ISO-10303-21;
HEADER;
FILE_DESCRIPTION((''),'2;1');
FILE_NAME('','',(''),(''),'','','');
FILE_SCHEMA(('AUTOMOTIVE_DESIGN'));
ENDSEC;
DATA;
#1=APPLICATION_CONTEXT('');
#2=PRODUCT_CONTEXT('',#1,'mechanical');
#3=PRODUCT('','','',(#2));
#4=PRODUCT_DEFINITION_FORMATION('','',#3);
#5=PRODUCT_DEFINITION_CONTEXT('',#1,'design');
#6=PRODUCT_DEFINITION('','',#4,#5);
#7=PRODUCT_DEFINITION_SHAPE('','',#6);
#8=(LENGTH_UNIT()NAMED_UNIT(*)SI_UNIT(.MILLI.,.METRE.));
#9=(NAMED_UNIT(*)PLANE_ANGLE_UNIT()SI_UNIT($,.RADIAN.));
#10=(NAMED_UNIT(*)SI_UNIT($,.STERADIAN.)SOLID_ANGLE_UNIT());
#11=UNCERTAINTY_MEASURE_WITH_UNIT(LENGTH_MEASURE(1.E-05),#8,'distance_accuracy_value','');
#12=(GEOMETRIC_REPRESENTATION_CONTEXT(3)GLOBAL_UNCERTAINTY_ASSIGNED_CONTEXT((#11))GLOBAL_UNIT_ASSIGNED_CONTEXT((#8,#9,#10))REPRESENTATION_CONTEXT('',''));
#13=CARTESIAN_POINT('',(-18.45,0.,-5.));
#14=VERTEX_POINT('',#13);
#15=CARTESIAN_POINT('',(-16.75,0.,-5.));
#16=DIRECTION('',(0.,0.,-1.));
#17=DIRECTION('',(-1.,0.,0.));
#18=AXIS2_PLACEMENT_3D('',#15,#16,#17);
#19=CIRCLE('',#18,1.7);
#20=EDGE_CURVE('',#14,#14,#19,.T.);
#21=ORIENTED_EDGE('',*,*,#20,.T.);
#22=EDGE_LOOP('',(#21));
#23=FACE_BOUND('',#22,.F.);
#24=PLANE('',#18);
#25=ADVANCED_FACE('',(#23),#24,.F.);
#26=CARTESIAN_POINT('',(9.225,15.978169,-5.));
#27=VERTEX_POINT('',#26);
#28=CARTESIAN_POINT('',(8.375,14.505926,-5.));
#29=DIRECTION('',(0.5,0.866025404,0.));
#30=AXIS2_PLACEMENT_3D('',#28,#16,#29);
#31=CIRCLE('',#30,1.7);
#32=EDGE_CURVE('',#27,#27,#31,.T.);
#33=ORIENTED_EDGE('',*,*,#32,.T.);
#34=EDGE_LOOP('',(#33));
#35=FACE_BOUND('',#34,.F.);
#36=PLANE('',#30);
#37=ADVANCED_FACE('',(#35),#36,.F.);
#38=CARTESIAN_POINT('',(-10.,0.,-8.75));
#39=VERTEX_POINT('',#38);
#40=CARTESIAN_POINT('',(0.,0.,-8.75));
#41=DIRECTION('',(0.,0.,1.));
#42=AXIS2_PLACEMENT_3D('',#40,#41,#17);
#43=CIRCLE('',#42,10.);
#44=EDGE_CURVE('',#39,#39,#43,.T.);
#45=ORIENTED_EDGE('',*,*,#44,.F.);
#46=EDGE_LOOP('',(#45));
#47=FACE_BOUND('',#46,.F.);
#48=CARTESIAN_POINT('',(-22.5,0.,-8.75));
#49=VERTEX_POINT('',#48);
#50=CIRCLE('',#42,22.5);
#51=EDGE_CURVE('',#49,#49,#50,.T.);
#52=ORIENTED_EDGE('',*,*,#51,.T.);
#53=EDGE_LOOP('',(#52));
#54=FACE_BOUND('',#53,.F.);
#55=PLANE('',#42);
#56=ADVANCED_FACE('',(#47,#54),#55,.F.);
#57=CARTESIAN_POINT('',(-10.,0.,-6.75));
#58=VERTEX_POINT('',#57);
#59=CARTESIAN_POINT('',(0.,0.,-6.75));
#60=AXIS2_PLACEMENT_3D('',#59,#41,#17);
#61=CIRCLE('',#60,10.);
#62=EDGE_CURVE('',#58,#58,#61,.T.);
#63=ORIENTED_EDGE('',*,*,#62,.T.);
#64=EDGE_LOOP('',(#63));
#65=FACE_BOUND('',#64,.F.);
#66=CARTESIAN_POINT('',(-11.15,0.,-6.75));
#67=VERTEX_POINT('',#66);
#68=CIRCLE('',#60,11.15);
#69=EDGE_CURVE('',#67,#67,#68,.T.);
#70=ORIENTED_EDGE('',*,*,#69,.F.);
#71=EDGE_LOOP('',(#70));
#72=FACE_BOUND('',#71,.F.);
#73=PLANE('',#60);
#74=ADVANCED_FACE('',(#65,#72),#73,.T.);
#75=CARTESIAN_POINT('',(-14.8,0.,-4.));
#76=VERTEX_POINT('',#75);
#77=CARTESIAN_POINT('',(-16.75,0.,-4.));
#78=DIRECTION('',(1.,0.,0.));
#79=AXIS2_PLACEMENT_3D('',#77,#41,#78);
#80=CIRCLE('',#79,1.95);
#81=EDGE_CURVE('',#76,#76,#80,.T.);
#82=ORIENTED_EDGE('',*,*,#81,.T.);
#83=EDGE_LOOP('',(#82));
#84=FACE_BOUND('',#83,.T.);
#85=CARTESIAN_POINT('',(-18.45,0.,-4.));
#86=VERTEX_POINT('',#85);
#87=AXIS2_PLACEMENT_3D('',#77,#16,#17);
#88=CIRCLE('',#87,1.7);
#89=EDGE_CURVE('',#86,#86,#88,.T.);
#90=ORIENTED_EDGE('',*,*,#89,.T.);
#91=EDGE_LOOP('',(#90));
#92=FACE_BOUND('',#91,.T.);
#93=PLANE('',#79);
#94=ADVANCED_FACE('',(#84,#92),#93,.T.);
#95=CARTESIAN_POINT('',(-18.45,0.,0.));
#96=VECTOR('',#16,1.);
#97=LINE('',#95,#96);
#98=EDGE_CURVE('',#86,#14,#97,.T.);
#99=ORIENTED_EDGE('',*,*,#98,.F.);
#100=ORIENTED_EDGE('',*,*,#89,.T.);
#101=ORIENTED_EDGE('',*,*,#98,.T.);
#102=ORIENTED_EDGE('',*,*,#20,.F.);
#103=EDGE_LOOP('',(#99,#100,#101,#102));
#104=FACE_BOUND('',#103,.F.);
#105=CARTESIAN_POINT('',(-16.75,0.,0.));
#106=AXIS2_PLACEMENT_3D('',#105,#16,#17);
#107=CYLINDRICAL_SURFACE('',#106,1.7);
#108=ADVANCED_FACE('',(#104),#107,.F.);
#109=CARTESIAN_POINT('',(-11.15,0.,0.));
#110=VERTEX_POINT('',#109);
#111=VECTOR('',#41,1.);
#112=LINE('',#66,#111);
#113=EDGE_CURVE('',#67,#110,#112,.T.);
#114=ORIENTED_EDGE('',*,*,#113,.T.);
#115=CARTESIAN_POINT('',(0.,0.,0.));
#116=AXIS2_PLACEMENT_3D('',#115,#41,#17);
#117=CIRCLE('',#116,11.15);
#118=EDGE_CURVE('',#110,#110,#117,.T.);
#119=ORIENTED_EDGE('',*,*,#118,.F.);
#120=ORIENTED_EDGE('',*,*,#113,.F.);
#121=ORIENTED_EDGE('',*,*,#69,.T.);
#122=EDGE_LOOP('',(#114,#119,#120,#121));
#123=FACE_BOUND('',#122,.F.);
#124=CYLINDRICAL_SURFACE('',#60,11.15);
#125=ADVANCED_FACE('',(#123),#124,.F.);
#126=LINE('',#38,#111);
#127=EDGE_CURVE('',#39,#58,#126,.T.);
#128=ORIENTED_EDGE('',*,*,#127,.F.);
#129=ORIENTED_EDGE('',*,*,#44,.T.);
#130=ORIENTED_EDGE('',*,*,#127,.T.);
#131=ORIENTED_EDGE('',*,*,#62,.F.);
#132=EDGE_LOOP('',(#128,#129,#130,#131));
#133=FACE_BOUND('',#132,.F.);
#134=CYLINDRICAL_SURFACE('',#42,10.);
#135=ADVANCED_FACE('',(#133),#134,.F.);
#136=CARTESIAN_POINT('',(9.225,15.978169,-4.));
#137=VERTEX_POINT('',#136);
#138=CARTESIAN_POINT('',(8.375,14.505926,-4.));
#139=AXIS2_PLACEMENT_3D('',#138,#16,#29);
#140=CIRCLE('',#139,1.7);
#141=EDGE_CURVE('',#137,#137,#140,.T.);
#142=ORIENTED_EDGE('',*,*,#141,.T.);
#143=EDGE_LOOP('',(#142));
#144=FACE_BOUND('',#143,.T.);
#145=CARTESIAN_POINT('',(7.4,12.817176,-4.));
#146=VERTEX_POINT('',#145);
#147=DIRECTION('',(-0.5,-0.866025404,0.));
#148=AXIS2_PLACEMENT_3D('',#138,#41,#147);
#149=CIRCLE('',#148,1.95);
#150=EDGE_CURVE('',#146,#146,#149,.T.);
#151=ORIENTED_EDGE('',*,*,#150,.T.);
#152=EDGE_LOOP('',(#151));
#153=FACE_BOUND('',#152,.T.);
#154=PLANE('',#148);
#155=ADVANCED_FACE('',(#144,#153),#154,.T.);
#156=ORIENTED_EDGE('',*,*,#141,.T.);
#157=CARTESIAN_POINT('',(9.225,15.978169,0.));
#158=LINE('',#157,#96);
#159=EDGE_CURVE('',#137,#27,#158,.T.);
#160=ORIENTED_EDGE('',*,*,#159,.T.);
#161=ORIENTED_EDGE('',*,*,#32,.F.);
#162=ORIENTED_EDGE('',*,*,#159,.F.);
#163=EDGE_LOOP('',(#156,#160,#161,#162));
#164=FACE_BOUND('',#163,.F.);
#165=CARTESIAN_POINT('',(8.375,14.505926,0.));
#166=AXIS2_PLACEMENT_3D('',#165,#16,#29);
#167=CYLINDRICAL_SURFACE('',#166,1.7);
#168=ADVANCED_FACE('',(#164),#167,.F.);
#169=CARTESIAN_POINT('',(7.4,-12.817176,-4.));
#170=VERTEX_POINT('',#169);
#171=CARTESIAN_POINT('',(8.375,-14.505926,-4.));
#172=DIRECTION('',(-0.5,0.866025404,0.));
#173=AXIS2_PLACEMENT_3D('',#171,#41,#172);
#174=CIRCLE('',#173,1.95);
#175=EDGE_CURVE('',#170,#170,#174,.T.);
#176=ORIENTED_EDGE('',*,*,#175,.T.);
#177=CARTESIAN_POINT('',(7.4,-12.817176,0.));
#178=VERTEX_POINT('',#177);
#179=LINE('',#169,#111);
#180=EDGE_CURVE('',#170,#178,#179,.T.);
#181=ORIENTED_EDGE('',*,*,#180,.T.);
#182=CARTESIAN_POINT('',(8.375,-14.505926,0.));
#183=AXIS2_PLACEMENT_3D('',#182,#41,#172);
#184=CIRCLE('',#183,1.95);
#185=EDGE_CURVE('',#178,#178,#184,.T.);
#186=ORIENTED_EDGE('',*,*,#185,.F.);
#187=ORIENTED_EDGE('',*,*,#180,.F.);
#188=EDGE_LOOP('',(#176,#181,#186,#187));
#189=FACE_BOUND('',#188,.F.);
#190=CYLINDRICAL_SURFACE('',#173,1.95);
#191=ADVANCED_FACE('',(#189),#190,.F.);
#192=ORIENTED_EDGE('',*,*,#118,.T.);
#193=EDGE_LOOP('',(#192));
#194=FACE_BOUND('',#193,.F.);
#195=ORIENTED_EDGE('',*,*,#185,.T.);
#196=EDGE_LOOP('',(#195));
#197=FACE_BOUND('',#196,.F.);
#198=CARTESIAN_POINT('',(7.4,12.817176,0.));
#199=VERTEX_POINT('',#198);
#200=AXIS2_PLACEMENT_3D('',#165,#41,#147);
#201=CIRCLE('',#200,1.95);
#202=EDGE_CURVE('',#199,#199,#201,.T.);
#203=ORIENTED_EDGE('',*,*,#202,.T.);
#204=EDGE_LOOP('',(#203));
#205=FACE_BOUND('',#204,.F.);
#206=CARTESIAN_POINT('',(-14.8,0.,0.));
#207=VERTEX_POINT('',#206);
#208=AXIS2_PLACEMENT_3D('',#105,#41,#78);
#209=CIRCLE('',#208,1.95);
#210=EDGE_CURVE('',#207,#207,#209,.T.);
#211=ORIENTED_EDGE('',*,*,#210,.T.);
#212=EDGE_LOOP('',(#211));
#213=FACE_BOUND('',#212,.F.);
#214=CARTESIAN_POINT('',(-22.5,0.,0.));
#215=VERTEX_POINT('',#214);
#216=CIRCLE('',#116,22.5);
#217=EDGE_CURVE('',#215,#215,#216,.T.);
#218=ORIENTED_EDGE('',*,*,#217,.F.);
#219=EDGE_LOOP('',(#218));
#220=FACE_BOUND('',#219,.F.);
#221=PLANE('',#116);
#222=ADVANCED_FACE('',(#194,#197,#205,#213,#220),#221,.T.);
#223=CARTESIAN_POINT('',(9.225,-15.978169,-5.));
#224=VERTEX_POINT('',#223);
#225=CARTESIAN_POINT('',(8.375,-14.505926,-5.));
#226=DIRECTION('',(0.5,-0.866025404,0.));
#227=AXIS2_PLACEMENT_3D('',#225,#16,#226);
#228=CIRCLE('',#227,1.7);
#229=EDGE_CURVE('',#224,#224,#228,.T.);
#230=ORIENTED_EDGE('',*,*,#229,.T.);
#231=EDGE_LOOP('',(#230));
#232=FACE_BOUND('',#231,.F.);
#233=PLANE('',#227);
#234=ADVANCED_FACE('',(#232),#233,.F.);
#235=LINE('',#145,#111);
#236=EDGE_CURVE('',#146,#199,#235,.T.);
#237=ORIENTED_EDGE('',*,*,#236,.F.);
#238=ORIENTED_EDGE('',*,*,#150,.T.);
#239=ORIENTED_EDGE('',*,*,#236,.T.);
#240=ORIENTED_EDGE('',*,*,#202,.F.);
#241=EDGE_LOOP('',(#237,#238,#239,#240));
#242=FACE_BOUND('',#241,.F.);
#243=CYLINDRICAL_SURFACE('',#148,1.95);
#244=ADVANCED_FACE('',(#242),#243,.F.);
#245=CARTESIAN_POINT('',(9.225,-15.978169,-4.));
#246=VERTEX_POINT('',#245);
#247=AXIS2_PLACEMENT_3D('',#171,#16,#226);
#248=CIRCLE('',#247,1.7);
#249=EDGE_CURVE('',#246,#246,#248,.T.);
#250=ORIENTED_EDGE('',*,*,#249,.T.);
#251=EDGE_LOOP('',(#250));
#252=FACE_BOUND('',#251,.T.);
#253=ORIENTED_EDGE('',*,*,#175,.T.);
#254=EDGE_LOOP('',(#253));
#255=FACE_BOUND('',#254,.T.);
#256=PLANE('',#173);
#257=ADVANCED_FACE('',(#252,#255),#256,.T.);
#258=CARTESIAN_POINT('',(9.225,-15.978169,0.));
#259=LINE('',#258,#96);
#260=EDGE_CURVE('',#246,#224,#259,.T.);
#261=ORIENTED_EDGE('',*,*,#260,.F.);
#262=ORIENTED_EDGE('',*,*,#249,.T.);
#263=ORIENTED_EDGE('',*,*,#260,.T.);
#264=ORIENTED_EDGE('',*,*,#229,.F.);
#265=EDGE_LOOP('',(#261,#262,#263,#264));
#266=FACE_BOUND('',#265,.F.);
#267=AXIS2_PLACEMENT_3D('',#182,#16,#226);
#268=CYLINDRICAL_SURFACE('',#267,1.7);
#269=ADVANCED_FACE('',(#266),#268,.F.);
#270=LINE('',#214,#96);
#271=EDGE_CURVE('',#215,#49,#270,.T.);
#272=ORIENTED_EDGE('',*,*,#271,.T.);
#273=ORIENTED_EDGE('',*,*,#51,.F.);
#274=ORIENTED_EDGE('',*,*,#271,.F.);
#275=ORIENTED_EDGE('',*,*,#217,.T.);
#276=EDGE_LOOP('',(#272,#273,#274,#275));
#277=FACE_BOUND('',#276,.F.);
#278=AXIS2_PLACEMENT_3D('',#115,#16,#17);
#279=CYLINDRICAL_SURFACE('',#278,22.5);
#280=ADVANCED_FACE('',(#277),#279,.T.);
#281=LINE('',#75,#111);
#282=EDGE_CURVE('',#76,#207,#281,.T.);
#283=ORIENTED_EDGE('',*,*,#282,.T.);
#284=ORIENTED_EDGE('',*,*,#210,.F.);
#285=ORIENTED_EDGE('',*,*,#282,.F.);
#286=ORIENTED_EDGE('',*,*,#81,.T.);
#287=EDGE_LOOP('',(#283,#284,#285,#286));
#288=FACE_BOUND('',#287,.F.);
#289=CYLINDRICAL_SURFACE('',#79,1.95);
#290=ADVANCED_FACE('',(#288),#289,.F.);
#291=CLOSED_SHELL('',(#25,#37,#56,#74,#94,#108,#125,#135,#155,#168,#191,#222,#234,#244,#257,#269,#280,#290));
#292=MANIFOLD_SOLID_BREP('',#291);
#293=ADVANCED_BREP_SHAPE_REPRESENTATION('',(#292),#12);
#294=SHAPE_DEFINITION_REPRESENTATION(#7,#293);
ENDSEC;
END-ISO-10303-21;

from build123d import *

# Parameters (mm, degrees)
HOLE001_D           = 3.4
HOLE001_DEPTH       = 5
HOLE001_CBORE_D     = 3.9
HOLE001_CBORE_DEPTH = 4
POLARPATTERN_COUNT  = 3


with BuildPart() as part:
    # Sketch003 → Revolution (revolve)
    with BuildSketch(Plane.XZ):
        Polygon((-22.5, 0), (-22.5, -8.75), (-10, -8.75), (-10, -6.75), (-11.15, -6.75), (-11.15, 0), align=None)
    revolve(axis=Axis((0, 0, 0), (0, 0, 1)))

    # Hole001
    with Locations(Plane.XY):
        with Locations((-16.75, 0)):
            hole001 = CounterBoreHole(HOLE001_D / 2, HOLE001_CBORE_D / 2, HOLE001_CBORE_DEPTH, depth=HOLE001_DEPTH)

    # PolarPattern: Hole001 ×3 about axis
    polarpattern_axis = Axis((0, 0, 0), (0, 0, 1))
    for i in range(1, POLARPATTERN_COUNT):
        add(hole001.rotate(polarpattern_axis, i * 360 / POLARPATTERN_COUNT), mode=Mode.SUBTRACT)


solid = part.part
